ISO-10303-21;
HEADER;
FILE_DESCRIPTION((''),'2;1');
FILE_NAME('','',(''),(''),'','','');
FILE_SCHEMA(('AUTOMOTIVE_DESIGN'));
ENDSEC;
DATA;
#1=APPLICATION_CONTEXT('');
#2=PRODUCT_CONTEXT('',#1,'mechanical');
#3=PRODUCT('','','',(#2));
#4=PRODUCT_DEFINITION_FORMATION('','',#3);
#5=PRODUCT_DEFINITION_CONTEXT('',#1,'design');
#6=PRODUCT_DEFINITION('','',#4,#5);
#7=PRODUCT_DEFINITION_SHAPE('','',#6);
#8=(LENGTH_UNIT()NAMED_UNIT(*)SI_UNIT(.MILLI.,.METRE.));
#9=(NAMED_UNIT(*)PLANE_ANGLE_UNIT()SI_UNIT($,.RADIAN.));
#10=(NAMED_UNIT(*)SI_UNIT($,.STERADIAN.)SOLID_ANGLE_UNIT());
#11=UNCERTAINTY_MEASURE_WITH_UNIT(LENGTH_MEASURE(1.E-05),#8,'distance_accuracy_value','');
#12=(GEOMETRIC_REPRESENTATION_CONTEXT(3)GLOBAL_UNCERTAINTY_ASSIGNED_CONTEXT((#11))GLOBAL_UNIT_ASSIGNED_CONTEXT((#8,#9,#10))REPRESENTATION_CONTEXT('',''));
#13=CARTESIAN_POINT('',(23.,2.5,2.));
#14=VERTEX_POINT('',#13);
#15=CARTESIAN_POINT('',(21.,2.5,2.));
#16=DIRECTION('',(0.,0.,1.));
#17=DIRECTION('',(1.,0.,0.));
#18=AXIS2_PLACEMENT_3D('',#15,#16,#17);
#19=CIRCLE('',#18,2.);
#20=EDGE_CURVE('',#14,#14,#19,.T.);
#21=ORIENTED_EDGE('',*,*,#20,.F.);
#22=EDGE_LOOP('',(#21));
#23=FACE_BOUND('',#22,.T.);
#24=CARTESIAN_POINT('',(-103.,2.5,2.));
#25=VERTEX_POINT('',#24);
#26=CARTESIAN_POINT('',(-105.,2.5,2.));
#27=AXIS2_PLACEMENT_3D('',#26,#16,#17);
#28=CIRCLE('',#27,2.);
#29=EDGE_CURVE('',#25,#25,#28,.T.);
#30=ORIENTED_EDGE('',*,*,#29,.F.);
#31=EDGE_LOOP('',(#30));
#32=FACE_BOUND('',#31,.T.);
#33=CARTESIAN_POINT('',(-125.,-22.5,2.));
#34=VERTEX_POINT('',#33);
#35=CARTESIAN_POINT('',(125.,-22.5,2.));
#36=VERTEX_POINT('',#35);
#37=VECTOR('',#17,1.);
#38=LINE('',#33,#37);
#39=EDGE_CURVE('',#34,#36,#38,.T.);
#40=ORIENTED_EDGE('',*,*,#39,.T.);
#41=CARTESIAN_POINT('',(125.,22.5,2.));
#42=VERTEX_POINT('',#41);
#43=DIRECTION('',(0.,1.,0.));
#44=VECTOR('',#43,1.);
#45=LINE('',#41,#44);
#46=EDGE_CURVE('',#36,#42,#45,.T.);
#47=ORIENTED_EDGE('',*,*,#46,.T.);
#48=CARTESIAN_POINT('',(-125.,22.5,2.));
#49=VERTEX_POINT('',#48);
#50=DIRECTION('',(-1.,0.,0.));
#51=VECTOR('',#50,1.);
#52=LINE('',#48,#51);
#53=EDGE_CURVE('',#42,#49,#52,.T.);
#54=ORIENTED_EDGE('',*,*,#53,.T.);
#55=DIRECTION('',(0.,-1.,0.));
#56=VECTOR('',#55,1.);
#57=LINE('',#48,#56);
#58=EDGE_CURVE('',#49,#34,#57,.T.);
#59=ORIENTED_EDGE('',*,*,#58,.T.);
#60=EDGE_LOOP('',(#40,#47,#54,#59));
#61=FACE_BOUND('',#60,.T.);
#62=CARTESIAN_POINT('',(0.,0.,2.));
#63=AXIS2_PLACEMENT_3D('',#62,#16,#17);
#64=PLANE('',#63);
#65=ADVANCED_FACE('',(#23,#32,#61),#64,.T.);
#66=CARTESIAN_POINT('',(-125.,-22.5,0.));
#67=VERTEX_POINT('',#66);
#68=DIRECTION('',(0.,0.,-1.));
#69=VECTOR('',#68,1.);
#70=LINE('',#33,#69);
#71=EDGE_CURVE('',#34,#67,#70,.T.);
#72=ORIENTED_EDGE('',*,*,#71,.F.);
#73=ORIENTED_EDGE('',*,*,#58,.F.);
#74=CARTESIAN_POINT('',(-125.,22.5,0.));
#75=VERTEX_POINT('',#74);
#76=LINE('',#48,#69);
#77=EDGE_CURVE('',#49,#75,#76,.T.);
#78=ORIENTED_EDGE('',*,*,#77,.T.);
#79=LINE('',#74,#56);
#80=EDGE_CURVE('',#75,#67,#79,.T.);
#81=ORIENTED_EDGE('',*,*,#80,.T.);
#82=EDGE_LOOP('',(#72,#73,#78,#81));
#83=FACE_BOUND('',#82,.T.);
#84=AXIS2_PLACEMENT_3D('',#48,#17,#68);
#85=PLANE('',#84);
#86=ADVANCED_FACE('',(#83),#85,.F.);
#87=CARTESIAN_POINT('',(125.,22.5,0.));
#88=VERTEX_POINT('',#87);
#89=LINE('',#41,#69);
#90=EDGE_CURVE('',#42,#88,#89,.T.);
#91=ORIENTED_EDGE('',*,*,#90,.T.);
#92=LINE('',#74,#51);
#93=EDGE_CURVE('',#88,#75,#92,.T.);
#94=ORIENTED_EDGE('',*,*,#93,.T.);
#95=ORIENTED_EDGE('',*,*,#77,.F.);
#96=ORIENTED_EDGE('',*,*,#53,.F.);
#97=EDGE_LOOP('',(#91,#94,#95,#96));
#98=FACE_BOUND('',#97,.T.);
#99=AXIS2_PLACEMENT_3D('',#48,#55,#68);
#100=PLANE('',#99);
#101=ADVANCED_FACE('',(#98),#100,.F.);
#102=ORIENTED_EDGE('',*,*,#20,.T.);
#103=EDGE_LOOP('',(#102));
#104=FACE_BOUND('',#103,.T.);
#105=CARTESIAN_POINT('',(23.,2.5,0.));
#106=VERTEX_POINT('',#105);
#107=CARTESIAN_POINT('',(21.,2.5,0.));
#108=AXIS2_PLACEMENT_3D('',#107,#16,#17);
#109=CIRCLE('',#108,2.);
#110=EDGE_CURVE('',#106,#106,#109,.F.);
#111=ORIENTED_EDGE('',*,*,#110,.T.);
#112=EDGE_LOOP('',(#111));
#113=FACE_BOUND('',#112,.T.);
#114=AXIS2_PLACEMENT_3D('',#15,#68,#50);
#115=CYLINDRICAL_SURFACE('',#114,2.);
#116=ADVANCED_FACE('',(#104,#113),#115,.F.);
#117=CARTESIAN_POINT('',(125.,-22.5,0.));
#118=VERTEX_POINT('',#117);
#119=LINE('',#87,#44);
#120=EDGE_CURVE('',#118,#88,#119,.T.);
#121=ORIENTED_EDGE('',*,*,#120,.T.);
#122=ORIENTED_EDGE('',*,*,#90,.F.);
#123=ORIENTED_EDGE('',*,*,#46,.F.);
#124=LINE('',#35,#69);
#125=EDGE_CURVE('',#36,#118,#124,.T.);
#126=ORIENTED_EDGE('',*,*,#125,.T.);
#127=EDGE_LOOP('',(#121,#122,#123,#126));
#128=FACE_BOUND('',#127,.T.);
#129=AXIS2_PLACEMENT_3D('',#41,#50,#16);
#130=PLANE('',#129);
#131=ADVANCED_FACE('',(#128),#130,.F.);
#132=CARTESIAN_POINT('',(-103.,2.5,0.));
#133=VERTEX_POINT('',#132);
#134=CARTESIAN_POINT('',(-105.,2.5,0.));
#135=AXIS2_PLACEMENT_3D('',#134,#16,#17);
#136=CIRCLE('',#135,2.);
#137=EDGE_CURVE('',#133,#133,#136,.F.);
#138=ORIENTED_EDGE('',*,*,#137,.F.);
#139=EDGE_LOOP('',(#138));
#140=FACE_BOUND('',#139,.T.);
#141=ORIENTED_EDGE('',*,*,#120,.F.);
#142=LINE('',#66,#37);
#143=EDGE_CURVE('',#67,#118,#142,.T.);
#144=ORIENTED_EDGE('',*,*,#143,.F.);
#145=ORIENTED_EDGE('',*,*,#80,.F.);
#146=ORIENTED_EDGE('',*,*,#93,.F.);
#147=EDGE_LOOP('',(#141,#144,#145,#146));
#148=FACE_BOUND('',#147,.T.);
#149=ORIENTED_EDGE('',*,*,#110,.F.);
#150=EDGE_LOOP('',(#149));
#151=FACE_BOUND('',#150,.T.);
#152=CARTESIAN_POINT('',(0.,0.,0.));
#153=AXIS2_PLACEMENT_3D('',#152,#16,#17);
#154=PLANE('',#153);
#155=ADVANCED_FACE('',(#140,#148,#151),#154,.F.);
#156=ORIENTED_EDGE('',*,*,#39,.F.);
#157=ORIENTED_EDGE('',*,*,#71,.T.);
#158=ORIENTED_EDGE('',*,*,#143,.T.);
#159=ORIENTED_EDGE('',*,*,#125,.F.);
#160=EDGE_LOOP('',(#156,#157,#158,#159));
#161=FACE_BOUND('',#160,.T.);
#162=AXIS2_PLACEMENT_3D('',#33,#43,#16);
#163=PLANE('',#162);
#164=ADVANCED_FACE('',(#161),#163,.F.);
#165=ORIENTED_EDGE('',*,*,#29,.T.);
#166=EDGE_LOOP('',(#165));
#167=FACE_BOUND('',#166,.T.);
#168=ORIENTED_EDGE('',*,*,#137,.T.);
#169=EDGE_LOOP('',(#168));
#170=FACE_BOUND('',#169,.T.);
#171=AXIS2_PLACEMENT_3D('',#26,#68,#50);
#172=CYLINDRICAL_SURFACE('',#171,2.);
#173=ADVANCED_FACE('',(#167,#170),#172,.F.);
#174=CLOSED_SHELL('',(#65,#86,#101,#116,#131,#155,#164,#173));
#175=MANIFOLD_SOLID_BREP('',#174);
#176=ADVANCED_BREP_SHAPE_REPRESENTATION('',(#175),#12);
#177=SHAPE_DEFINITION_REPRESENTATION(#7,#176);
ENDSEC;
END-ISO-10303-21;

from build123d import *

# Parameters (mm, degrees)
SKETCH1_W               = 250
SKETCH1_H               = 45
BOSS_EXTRUDE1_DEPTH     = 2
CUT_EXTRUDE2_DEPTH      = 128.024603916
CUT_EXTRUDE2_DEPTH_BACK = 2
SKETCH2_R               = 2


with BuildPart() as part:
    # Sketch1 → Boss-Extrude1 (new body)
    with BuildSketch(Plane.XY):
        Rectangle(SKETCH1_W, SKETCH1_H)
    extrude(amount=BOSS_EXTRUDE1_DEPTH)

    # Sketch2 → Cut-Extrude2 (cut, two sides: drawn at the far end of the back side and taken through both)
    with BuildSketch(Plane.XY.offset(-CUT_EXTRUDE2_DEPTH_BACK)):
        with Locations((-105, 2.5)):
            Circle(SKETCH2_R)
        with Locations((21, 2.5)):
            Circle(SKETCH2_R)
    extrude(amount=CUT_EXTRUDE2_DEPTH + CUT_EXTRUDE2_DEPTH_BACK, mode=Mode.SUBTRACT)


solid = part.part
